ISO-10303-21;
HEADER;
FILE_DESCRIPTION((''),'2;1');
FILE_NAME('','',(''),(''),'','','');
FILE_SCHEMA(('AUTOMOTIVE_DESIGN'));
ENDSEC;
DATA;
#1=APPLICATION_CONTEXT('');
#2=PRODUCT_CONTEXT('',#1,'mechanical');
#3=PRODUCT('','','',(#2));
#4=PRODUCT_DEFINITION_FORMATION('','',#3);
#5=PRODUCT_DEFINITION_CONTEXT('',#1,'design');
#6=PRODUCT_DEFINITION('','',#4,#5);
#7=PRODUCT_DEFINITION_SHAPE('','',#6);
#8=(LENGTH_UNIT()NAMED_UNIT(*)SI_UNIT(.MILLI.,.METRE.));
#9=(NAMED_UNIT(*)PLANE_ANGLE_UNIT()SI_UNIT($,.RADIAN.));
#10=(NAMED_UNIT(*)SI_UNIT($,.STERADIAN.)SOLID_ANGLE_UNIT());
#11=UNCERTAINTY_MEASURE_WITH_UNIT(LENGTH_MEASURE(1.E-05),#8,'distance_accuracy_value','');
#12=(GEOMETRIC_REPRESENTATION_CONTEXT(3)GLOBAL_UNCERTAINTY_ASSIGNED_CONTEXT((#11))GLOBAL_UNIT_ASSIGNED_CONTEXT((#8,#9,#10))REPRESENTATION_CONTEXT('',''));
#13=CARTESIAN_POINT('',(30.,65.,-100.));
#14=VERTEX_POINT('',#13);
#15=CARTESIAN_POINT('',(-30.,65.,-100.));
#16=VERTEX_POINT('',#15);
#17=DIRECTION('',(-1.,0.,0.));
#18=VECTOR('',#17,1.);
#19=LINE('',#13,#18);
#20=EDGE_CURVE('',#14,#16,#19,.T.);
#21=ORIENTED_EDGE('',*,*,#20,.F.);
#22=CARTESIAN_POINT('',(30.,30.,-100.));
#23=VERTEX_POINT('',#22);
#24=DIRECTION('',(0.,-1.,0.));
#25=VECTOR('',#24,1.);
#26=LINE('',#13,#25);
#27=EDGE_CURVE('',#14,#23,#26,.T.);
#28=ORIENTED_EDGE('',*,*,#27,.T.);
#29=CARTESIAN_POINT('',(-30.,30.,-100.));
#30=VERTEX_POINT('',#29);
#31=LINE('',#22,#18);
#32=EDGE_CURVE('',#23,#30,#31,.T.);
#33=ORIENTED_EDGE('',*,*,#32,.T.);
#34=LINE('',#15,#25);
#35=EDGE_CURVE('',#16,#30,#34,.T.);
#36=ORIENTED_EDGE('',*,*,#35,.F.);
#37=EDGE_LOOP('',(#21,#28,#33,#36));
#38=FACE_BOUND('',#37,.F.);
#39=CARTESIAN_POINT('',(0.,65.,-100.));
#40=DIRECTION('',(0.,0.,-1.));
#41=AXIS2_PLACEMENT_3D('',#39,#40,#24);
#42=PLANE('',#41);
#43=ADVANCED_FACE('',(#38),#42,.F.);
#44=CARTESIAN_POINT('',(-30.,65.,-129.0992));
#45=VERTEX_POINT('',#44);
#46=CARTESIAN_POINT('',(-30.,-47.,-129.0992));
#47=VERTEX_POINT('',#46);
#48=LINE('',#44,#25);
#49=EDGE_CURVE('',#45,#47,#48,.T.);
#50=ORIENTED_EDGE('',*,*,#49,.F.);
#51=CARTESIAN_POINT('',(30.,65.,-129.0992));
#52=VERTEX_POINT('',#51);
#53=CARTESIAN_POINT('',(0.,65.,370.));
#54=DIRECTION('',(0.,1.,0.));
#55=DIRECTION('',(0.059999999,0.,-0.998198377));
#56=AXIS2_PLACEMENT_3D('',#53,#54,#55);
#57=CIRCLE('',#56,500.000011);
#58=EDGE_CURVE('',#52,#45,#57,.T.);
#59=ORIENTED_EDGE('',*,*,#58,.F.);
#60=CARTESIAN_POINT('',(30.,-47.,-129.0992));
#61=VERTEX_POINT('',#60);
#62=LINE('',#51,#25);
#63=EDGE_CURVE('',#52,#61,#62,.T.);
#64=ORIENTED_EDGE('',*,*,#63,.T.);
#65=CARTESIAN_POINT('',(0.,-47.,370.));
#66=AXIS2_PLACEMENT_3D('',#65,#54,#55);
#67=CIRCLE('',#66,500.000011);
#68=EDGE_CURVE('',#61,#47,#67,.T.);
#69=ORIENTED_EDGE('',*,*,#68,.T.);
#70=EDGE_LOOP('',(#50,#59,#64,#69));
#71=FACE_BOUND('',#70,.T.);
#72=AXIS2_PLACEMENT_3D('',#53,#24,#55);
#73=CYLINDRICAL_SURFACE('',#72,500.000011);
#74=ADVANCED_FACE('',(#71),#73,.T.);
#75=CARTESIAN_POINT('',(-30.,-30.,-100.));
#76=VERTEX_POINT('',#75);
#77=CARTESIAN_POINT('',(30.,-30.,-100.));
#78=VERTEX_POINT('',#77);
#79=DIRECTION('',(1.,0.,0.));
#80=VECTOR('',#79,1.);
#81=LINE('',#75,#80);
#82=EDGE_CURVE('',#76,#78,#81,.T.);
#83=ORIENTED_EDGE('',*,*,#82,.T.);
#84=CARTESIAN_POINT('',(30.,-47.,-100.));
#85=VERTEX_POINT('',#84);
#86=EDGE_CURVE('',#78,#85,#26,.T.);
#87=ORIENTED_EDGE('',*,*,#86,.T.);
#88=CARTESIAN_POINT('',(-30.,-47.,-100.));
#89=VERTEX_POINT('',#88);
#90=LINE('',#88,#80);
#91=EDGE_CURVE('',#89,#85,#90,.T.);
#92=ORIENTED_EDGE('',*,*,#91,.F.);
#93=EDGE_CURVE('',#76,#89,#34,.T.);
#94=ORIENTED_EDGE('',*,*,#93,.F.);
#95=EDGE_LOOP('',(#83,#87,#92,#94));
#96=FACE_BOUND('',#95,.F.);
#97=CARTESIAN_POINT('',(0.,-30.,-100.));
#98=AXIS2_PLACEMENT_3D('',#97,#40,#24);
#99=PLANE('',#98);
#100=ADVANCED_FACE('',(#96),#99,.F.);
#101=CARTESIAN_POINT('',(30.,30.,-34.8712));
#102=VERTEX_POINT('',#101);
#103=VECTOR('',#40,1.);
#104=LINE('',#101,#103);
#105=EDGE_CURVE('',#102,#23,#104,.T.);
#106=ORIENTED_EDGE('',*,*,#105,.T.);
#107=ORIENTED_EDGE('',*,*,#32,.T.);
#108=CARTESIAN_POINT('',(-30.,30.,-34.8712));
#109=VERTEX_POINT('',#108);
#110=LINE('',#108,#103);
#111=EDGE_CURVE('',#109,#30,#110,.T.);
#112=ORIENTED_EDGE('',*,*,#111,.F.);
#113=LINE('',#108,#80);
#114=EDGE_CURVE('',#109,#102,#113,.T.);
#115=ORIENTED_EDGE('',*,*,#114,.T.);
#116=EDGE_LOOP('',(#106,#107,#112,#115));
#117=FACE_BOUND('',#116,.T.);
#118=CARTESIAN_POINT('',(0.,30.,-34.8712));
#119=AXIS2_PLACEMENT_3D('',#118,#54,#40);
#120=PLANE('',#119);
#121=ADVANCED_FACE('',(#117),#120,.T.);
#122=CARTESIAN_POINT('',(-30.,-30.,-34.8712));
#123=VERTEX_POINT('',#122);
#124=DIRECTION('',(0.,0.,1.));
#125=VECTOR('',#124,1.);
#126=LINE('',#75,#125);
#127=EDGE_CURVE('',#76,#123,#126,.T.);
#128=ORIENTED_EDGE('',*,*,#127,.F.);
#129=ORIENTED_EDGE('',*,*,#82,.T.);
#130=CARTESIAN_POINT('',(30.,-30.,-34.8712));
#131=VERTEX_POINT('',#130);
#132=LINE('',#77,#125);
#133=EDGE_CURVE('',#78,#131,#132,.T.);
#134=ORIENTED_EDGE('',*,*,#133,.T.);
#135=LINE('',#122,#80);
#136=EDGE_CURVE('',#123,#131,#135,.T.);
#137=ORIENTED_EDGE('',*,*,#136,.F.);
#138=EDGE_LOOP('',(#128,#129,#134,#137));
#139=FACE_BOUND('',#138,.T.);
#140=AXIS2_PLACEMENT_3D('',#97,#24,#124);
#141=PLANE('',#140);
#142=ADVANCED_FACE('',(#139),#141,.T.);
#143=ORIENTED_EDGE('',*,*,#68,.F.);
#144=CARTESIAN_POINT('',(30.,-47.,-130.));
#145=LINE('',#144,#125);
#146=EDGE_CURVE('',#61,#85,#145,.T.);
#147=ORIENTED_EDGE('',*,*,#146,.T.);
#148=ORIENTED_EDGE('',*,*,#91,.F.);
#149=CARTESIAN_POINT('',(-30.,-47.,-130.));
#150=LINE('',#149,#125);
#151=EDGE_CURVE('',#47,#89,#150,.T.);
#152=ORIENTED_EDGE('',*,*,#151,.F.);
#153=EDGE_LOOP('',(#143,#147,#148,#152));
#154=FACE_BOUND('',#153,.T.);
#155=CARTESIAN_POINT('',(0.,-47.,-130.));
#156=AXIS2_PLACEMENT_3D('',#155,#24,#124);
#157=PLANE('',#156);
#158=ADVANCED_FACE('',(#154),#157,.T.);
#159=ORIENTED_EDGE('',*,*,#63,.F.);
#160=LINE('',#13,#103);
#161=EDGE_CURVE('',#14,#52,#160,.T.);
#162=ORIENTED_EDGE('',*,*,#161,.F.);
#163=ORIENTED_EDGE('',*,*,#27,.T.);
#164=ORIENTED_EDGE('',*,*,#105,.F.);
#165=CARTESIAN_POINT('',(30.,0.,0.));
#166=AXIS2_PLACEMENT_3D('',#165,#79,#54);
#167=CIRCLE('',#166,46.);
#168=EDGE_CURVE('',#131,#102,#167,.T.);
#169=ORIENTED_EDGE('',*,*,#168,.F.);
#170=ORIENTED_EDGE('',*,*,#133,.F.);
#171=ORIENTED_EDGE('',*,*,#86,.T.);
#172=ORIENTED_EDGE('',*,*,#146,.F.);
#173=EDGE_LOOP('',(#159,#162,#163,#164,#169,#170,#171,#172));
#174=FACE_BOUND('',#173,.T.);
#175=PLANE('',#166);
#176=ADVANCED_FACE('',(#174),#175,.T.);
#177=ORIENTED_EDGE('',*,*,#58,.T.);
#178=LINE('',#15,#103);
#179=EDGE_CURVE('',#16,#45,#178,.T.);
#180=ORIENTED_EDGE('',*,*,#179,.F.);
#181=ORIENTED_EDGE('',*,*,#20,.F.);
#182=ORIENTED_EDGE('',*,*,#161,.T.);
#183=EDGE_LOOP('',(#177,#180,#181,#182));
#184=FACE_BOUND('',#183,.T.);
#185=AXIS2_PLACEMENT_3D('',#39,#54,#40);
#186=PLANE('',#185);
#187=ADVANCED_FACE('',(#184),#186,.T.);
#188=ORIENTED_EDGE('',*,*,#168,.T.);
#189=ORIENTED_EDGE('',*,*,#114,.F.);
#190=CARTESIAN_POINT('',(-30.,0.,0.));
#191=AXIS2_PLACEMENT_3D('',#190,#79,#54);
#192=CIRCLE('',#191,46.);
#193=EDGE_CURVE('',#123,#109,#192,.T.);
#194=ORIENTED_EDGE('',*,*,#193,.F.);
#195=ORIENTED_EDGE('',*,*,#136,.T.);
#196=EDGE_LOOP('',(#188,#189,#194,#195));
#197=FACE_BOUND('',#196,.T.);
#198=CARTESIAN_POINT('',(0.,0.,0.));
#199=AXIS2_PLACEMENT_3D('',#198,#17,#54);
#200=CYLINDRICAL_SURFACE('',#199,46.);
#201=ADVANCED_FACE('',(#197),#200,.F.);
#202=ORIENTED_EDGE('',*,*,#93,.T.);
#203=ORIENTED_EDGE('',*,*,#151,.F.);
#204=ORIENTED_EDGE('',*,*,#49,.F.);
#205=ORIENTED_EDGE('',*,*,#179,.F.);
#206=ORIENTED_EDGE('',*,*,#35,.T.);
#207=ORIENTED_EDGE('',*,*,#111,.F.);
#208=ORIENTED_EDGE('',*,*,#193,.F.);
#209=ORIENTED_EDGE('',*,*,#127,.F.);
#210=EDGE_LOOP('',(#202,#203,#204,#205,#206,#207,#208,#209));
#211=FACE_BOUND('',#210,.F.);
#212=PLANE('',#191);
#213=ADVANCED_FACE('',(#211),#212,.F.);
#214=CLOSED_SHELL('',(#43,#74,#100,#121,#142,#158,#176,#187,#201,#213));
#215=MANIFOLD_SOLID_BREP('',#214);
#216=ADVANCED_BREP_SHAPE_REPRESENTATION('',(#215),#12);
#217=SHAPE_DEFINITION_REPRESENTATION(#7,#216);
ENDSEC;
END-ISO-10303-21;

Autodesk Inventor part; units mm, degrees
ref_plane "Work Plane7" through (0, -46.2947, -99.445) normal (0, -0.9997, 0.0235) x (0, -0.0235, -0.9997)
ref_plane "Work Plane8" through (0, 70.92, -98.723) normal (0, -0.9994, -0.036) x (0, 0.036, -0.9994)
ref_plane "Work Plane9" through (-30, 0, 0) normal (1, 0, 0) x (0, 1, 0)
sketch "Sketch20" plane through (0, 0, 0) normal (1, 0, 0) x (0, 1, 0)
  line L0 (-69.4, 0) -> (87.4, 0) projected
  line L1 (0, -165.2) -> (0, 81.2) construction
  circle A0 centre (0, 0) radius 40
  circle A1 centre (0, 0) radius 46
  line L2 (30, -34.8712) -> (30, -100)
  line L3 (-30, -100) -> (-30, -34.8712)
  line L4 (65, -100) -> (-47, -100)
  line L5 (65, -100) -> (65, -130)
  line L6 (65, -130) -> (-47, -130)
  line L7 (-47, -130) -> (-47, -100)
  point P0 (0, -100)
  dimension "d254" = 92
  dimension "d255" = 80
  dimension "d256" = 60
  dimension "d261" = 90
  dimension "d262" = 30
  dimension "d263" = 65
  dimension "d264" = 47
  dimension "d265" = 130
  dimension "d268" = 17
  dimension "d269" = 35
extrude "Extrusion18" add sketch "Sketch20" along normal mid plane 60 contours L2 L4 L3 A1 | L4 L5 L6 L7
sketch "Sketch21" plane through (-30, 65, -100) normal (0, 1, 0) x (1, 0, 0)
  line L0 (0, 0) -> (60, 0) projected
  line L1 (60, 30) -> (60, 0) projected
  line L2 (60, 30) -> (0, 30) projected
  line L3 (0, 0) -> (0, 30) projected
  line L4 (60, 30) -> (60, 0) projected
  line L5 (0, 0) -> (0, 30) projected
  arc A0 (60, 29.0992) -> (0, 29.0992) centre (30, -470) ccw
  line L6 (60, 30) -> (0, 30) projected
  point P0 (30, 30)
  point P1 (60, 29.0992)
  point P2 (0, 29.0992)
  dimension "d270" = 500
sketch3d "3D Sketch1"
  line L0 (-30, 65, -130) -> (-30, -47, -130)
  dimension "d173" = 92
  dimension "d174" = 80
  dimension "d224" = 60
  dimension "d230" = 2000
  dimension "d231" = 29.9943
  dimension "d233" = 10
  dimension "d235" = 2000
  dimension "d241" = 30
  dimension "d246" = 47
  dimension "d247" = 72
  dimension "d248" = 10
  dimension "d249" = 130
  dimension "d251" = 16.2947
  dimension "d252" = 40.92
sweep "Sweep1" cut profiles "Sketch21" path "3D Sketch1" contours L3 L2 A0 | A0 L2 L1
properties part number "shank_2"
